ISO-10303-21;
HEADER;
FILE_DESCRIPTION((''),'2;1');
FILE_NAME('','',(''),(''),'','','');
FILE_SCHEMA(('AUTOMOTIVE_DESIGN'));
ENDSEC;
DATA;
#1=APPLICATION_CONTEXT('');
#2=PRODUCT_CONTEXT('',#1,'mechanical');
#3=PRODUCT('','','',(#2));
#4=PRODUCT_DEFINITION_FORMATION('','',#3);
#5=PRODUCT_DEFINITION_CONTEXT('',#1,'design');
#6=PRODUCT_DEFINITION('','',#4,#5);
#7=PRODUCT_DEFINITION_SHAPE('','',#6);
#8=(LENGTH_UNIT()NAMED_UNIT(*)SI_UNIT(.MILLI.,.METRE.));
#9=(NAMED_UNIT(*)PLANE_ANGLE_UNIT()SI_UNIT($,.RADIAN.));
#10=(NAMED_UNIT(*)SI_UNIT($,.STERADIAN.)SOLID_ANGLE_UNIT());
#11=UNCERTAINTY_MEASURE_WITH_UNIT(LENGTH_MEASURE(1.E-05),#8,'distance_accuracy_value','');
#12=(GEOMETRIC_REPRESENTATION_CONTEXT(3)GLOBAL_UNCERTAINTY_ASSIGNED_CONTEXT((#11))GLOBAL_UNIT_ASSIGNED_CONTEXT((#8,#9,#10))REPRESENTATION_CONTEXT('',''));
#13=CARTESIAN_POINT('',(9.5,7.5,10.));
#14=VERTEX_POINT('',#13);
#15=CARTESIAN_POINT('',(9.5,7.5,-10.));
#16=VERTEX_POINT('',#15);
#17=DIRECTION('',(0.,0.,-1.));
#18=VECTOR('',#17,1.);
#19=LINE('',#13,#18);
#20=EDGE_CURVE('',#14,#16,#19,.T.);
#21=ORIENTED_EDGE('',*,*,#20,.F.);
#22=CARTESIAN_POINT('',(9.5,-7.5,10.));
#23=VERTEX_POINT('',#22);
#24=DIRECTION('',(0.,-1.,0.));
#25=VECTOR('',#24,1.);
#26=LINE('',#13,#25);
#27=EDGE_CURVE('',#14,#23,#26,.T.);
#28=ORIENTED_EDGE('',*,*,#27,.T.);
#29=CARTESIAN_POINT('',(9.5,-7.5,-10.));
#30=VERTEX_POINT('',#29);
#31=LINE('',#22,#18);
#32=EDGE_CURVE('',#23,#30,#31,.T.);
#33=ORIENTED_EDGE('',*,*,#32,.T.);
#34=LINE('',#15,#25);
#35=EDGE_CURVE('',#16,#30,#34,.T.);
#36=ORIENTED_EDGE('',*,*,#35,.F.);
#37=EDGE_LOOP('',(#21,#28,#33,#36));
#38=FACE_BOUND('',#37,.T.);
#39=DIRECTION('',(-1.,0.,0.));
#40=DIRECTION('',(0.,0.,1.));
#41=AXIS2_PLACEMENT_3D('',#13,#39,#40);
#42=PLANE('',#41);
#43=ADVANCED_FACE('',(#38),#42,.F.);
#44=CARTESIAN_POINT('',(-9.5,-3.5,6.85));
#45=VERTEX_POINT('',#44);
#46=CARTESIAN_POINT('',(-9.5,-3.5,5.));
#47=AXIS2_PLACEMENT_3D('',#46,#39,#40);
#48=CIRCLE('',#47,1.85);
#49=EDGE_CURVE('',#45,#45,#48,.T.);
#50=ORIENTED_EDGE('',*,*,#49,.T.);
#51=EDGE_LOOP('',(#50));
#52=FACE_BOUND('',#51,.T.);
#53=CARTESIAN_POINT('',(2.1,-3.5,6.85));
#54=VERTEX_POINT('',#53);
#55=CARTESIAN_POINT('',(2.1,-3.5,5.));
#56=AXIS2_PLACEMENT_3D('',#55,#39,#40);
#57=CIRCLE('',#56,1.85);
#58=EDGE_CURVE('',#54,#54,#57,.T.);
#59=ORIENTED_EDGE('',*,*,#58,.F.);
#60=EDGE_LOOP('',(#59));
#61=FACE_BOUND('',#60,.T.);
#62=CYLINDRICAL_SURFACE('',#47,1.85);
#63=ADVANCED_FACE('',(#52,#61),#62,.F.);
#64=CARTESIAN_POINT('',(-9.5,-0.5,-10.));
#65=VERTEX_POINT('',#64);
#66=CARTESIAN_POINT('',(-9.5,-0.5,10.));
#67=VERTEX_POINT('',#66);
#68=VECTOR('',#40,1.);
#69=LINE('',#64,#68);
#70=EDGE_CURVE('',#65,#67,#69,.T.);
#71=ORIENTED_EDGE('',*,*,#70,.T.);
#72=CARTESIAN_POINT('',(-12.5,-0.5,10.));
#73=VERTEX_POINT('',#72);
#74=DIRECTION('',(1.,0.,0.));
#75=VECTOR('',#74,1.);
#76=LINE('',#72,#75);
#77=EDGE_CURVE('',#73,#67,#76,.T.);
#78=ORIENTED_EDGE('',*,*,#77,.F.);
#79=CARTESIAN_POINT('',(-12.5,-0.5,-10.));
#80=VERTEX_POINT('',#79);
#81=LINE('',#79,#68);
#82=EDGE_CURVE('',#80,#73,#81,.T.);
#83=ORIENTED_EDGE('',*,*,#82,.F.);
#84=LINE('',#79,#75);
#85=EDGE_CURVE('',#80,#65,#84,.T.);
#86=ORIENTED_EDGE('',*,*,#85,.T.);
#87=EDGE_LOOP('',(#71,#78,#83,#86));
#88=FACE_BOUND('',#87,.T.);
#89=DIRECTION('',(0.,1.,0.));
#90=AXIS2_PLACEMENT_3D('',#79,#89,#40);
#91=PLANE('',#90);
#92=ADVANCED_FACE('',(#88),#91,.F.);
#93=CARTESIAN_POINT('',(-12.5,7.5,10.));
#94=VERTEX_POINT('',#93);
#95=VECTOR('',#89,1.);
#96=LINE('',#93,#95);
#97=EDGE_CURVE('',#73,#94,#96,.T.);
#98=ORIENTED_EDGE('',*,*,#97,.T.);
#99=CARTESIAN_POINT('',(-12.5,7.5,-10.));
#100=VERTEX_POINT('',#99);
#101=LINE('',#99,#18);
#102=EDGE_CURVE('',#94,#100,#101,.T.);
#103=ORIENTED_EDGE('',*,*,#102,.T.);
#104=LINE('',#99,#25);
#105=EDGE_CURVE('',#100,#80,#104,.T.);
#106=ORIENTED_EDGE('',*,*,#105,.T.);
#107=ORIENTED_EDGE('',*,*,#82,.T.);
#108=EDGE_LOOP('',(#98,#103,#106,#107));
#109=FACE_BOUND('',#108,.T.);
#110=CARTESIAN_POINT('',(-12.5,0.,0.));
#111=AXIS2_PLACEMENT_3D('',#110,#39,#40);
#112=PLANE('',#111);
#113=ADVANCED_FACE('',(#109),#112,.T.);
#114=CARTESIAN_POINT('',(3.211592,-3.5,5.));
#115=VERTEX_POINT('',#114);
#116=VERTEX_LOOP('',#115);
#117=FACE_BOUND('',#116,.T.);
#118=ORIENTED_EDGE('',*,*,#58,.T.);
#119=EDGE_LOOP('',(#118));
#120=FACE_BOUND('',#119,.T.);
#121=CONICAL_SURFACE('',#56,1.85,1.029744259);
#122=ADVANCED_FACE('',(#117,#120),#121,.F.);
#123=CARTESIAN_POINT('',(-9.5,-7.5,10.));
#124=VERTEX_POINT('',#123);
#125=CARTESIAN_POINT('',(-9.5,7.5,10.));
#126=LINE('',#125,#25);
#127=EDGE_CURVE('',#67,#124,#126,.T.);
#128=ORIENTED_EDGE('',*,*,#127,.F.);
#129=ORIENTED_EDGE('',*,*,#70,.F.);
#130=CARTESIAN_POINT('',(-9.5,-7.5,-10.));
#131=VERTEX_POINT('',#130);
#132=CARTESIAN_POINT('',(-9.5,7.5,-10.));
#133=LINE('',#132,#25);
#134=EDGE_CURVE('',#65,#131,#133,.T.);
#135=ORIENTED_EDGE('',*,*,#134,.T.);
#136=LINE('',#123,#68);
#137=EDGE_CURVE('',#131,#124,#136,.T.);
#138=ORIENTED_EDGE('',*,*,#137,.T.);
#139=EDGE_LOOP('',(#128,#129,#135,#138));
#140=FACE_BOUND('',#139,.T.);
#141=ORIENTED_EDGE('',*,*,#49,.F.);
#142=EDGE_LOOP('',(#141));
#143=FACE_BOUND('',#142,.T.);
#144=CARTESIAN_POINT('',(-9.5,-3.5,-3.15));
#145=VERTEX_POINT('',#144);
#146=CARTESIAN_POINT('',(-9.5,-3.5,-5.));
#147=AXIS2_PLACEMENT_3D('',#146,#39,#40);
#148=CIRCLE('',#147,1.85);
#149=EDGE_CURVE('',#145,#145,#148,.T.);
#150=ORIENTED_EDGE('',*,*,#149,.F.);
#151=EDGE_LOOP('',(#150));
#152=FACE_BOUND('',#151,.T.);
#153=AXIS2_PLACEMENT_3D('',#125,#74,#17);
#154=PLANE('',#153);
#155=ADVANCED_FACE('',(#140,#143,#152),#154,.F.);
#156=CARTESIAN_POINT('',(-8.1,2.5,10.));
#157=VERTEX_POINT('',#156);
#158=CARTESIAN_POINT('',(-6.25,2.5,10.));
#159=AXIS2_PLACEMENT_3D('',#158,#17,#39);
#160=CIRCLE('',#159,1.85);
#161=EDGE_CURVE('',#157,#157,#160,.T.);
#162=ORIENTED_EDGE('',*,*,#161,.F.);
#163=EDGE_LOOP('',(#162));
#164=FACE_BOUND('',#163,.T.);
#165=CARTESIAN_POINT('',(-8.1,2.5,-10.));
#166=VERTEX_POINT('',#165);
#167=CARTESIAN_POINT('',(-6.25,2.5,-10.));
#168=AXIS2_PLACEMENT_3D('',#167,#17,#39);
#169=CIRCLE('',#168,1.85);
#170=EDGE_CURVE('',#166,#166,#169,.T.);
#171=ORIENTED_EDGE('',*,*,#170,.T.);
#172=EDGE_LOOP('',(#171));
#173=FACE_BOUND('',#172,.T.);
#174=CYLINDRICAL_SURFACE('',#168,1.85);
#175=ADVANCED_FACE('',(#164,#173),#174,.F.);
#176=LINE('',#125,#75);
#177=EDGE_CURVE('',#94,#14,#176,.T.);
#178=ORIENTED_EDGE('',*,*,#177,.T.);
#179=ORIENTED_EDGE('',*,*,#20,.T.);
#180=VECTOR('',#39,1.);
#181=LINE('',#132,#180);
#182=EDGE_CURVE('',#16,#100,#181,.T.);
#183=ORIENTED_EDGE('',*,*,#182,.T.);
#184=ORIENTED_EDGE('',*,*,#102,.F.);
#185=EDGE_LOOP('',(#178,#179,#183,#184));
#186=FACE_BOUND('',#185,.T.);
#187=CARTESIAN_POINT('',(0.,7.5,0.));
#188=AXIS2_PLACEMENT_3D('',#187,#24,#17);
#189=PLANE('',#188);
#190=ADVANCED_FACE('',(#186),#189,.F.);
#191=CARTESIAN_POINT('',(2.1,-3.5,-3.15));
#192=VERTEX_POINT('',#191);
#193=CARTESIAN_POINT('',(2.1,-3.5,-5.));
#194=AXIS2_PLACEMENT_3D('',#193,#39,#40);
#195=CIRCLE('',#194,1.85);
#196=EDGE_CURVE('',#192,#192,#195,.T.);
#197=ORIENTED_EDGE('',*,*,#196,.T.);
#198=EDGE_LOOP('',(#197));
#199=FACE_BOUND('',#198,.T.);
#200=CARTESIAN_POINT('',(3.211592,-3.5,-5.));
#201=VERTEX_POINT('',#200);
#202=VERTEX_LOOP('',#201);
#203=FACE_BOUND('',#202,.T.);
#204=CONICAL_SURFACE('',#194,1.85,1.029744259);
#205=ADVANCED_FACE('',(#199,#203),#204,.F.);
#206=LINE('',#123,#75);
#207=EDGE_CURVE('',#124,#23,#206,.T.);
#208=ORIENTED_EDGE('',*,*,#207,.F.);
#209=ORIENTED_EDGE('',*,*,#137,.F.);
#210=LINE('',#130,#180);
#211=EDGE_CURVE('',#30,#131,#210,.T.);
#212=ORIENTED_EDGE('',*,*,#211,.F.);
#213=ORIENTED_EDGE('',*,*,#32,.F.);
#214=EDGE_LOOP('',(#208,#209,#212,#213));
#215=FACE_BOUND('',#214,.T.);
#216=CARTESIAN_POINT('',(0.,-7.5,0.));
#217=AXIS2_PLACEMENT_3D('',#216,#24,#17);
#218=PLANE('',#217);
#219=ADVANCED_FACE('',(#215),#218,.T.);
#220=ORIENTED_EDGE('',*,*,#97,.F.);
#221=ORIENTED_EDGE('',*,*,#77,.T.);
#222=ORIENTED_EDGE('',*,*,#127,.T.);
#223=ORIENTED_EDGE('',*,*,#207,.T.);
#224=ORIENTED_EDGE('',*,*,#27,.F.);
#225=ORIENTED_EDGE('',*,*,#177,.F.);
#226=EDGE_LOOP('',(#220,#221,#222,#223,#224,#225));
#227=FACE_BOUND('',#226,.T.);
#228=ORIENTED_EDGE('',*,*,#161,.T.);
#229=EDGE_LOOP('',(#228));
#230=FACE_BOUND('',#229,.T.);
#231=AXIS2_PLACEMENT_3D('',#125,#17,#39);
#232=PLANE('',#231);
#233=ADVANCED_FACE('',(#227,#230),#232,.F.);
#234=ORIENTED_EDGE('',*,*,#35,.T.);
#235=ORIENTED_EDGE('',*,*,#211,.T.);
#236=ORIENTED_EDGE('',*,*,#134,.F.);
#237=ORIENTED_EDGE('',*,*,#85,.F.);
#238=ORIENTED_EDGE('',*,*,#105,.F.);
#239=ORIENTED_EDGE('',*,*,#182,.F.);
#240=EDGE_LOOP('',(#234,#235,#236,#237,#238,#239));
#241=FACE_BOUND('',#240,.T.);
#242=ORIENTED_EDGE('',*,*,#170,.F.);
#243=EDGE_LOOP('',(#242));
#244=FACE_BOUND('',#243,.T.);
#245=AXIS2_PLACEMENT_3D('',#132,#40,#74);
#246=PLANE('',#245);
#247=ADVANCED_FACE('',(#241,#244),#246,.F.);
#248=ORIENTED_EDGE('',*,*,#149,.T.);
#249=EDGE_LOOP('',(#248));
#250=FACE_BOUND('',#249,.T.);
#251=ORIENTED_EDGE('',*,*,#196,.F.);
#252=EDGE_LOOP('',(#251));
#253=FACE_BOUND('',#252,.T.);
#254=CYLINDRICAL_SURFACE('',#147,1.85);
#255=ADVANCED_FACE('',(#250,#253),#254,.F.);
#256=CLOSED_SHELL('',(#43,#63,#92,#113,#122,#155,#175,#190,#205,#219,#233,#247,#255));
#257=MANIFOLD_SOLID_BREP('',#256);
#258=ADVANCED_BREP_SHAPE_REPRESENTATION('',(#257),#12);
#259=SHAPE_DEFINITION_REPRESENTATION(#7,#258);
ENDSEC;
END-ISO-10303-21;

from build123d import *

# Parameters (mm, degrees)
SKETCH2_W                      = 19
SKETCH2_H                      = 20
BOSS_EXTRUDE1_DEPTH            = 7.5
F_3_7_3_7_DIAMETER_HOLE2_D     = 3.7
F_3_7_3_7_DIAMETER_HOLE2_DEPTH = 11.6
F_3_7_3_7_DIAMETER_HOLE2_TIP   = 1.111592145
SKETCH10_W                     = 20
SKETCH10_H                     = 8
BOSS_EXTRUDE2_DEPTH            = 3
F_3_7_3_7_DIAMETER_HOLE1_D     = 3.7


with BuildPart() as part:
    # Sketch2 → Boss-Extrude1 (new, symmetric)
    with BuildSketch(Plane(origin=(0, 0, 0), x_dir=(1, 0, 0), z_dir=(0, 1, 0))):
        Rectangle(SKETCH2_W, SKETCH2_H)
    extrude(amount=BOSS_EXTRUDE1_DEPTH, both=True)

    # Ø3.7 (3.7) Diameter Hole2
    with Locations(Plane.ZY.offset(9.5)):
        with Locations((-5, -3.5), (5, -3.5)):
            Hole(F_3_7_3_7_DIAMETER_HOLE2_D / 2, depth=F_3_7_3_7_DIAMETER_HOLE2_DEPTH)
            with Locations((0, 0, -(F_3_7_3_7_DIAMETER_HOLE2_DEPTH + F_3_7_3_7_DIAMETER_HOLE2_TIP / 2))):  # 118° drill point
                Cone(0, F_3_7_3_7_DIAMETER_HOLE2_D / 2, F_3_7_3_7_DIAMETER_HOLE2_TIP, mode=Mode.SUBTRACT)

    # Sketch10 → Boss-Extrude2 (add)
    with BuildSketch(Plane.ZY.offset(9.5)):
        with Locations((0, 3.5)):
            Rectangle(SKETCH10_W, SKETCH10_H)
    extrude(amount=BOSS_EXTRUDE2_DEPTH)

    # Ø3.7 (3.7) Diameter Hole1 (through all)
    with Locations(Plane(origin=(0, 0, -10), x_dir=(-1, 0, 0), z_dir=(0, 0, -1))):
        with Locations((6.25, 2.5)):
            Hole(F_3_7_3_7_DIAMETER_HOLE1_D / 2)


solid = part.part
